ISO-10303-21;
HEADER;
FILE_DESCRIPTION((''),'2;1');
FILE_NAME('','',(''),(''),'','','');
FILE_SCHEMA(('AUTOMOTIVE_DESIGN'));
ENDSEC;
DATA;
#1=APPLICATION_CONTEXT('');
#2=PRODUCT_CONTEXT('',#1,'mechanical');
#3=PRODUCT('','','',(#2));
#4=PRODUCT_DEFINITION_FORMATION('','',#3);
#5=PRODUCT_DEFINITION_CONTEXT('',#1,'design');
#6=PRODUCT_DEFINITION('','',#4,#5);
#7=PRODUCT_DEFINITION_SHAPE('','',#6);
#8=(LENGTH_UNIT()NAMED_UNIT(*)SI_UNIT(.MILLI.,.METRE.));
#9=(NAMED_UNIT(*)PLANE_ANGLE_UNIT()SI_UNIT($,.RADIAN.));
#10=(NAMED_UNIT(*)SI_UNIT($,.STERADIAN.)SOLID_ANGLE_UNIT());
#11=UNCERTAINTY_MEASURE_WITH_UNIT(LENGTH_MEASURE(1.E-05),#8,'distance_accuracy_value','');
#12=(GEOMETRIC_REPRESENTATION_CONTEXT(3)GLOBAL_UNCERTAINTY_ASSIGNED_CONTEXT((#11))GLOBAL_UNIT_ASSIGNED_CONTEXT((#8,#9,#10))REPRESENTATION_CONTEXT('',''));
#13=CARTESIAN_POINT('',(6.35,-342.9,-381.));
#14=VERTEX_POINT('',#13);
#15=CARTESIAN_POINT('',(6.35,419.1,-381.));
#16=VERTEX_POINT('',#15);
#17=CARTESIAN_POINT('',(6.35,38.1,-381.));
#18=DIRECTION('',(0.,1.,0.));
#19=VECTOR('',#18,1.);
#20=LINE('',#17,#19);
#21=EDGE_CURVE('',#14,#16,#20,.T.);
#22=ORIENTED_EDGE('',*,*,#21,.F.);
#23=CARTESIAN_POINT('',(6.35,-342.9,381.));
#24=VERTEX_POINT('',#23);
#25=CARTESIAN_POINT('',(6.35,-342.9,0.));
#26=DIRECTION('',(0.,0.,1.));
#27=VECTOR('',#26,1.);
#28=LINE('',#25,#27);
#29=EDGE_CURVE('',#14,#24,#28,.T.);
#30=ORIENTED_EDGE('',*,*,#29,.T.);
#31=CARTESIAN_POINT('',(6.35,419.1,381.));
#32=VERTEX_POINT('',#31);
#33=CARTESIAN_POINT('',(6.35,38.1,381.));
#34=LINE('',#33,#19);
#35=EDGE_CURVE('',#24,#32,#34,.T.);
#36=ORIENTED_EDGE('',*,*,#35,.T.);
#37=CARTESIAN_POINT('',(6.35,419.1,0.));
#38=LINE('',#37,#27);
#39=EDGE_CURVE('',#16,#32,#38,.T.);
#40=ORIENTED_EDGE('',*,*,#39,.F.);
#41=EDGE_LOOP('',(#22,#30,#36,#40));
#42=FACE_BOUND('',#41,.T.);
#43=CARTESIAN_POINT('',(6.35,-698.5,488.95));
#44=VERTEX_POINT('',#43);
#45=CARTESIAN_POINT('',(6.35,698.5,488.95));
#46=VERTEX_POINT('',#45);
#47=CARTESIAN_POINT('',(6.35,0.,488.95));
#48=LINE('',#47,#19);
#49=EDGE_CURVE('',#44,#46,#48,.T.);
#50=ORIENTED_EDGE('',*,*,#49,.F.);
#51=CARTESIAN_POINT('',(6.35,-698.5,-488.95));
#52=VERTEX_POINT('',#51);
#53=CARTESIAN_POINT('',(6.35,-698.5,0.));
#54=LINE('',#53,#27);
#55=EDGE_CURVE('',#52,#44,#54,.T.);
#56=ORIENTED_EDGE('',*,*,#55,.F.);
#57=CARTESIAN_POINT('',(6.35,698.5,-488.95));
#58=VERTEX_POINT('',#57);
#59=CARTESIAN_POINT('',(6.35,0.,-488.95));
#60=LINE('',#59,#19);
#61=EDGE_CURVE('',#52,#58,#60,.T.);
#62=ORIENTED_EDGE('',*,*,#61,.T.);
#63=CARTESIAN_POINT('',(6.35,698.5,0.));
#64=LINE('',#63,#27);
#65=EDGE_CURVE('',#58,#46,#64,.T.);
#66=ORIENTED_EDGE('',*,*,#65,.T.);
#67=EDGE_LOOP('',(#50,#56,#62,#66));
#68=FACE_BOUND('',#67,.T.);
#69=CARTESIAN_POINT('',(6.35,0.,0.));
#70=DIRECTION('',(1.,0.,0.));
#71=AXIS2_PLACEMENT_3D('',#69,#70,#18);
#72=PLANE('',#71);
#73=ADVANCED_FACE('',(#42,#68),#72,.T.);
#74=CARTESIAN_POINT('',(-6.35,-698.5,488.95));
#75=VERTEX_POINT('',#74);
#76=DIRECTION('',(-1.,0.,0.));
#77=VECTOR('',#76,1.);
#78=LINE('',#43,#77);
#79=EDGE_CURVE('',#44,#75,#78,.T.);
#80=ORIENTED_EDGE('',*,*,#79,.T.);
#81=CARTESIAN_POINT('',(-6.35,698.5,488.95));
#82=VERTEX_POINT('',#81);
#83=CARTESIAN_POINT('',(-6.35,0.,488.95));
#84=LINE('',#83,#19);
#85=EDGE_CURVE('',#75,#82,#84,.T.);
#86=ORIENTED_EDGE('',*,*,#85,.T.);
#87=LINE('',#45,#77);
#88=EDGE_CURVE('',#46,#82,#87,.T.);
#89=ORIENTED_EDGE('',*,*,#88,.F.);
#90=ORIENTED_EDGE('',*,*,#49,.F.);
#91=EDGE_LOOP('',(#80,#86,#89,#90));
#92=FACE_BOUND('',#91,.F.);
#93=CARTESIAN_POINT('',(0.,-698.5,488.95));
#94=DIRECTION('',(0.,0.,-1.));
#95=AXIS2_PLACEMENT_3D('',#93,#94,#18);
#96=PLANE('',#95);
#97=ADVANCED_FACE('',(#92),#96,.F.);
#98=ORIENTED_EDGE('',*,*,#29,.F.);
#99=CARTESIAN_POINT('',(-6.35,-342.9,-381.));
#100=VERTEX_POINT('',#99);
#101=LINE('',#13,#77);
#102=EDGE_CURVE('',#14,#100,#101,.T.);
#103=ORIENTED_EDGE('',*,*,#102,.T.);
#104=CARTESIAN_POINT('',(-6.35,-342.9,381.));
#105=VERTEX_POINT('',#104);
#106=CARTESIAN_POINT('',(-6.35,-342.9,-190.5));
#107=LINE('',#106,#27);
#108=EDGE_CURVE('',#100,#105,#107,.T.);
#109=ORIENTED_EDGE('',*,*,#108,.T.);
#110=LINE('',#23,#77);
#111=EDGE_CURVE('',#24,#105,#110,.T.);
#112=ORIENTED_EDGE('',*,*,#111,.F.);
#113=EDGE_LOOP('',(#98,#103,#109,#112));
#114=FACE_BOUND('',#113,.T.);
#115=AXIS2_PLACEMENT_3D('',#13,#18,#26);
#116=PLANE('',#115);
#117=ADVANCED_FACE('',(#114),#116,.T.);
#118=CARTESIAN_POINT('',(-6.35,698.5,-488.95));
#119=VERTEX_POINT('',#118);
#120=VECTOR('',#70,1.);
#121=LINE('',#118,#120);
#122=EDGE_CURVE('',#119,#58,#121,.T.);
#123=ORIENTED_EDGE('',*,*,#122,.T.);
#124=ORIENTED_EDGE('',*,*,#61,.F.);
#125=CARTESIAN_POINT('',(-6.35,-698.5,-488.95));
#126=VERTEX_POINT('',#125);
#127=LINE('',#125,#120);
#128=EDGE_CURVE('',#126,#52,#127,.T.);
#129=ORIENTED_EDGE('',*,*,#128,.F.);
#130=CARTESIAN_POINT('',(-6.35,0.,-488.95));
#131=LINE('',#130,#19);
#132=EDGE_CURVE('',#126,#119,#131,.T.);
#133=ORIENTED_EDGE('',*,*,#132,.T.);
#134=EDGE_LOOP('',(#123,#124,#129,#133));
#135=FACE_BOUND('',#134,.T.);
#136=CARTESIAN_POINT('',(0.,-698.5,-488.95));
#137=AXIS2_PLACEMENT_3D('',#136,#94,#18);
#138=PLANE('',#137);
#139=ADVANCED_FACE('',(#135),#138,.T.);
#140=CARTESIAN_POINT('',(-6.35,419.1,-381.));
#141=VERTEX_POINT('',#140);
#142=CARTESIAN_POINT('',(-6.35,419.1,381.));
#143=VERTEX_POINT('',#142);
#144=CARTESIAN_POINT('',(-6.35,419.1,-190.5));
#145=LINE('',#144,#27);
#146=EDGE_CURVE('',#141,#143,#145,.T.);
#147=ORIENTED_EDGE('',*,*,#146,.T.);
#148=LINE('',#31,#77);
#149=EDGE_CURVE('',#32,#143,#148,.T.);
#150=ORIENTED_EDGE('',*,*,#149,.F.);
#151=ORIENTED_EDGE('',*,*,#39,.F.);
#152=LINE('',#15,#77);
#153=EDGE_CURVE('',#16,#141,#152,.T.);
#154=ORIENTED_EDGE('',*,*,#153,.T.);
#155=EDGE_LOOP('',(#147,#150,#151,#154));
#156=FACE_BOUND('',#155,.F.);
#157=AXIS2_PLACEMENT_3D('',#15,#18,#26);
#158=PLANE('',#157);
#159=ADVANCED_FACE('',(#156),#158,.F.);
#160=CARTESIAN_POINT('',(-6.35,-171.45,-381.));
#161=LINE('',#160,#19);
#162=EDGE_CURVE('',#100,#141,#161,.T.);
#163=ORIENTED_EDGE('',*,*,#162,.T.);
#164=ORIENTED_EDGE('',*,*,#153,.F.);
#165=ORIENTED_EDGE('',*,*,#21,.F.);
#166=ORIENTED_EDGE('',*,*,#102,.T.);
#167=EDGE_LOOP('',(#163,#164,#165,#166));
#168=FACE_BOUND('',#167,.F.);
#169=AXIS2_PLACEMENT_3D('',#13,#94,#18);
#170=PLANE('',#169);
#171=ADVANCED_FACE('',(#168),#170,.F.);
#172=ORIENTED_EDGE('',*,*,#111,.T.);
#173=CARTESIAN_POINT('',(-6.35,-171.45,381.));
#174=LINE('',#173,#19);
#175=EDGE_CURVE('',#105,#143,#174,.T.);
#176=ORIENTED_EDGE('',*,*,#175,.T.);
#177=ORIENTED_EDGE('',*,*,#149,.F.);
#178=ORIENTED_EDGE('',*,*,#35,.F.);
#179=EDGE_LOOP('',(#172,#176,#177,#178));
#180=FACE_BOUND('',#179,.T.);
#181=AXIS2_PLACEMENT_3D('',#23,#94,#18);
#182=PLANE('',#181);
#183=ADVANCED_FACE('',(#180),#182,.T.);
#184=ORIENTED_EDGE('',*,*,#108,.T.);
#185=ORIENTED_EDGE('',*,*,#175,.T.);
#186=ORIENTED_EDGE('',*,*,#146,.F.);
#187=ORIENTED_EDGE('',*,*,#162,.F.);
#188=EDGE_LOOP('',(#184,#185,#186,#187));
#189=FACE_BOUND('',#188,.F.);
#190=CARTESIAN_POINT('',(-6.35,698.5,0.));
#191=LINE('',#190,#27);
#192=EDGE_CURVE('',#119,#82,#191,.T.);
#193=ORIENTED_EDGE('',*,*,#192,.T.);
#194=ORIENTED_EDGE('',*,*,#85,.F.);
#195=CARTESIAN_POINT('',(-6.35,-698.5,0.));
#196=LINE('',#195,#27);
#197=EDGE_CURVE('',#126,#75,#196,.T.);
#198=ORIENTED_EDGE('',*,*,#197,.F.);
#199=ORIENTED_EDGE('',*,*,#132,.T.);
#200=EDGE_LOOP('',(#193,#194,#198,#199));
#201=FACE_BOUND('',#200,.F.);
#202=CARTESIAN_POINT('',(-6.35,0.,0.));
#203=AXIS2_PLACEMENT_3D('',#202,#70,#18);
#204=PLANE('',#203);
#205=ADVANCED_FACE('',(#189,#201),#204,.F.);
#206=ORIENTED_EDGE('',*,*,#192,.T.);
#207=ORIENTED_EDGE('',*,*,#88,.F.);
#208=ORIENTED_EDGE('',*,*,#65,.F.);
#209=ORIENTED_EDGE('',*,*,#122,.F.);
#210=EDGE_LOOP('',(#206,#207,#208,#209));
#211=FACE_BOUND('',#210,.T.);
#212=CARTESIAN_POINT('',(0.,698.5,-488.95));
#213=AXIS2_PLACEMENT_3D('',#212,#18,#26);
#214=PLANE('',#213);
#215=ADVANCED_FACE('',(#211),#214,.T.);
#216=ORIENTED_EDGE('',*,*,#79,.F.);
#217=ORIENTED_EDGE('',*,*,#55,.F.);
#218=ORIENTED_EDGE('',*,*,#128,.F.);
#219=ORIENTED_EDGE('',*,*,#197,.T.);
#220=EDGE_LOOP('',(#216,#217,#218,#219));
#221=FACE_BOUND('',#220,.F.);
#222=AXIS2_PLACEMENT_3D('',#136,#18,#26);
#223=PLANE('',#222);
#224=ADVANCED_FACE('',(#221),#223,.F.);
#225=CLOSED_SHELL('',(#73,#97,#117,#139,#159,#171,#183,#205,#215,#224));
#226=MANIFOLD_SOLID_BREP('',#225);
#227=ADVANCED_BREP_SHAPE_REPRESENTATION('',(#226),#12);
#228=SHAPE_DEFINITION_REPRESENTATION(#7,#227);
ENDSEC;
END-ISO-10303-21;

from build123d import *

# Parameters (mm, degrees)
F0_W     = 1397
F0_H     = 977.9
F1_DEPTH = 6.35
F2_W     = 762
F2_H     = 762
F3_DEPTH = 12.701


with BuildPart() as f1:
    # F0 (on Right) → F1 (new body, symmetric)
    with BuildSketch(Plane.YZ):
        Rectangle(F0_W, F0_H)
    extrude(amount=F1_DEPTH, both=True)

    # F2 (on face) → F3 (cut, through all)
    with BuildSketch(Plane.YZ.offset(6.35)):
        with Locations((38.1, 0)):
            Rectangle(F2_W, F2_H)
    extrude(amount=-F3_DEPTH, mode=Mode.SUBTRACT)


solid = f1.part
